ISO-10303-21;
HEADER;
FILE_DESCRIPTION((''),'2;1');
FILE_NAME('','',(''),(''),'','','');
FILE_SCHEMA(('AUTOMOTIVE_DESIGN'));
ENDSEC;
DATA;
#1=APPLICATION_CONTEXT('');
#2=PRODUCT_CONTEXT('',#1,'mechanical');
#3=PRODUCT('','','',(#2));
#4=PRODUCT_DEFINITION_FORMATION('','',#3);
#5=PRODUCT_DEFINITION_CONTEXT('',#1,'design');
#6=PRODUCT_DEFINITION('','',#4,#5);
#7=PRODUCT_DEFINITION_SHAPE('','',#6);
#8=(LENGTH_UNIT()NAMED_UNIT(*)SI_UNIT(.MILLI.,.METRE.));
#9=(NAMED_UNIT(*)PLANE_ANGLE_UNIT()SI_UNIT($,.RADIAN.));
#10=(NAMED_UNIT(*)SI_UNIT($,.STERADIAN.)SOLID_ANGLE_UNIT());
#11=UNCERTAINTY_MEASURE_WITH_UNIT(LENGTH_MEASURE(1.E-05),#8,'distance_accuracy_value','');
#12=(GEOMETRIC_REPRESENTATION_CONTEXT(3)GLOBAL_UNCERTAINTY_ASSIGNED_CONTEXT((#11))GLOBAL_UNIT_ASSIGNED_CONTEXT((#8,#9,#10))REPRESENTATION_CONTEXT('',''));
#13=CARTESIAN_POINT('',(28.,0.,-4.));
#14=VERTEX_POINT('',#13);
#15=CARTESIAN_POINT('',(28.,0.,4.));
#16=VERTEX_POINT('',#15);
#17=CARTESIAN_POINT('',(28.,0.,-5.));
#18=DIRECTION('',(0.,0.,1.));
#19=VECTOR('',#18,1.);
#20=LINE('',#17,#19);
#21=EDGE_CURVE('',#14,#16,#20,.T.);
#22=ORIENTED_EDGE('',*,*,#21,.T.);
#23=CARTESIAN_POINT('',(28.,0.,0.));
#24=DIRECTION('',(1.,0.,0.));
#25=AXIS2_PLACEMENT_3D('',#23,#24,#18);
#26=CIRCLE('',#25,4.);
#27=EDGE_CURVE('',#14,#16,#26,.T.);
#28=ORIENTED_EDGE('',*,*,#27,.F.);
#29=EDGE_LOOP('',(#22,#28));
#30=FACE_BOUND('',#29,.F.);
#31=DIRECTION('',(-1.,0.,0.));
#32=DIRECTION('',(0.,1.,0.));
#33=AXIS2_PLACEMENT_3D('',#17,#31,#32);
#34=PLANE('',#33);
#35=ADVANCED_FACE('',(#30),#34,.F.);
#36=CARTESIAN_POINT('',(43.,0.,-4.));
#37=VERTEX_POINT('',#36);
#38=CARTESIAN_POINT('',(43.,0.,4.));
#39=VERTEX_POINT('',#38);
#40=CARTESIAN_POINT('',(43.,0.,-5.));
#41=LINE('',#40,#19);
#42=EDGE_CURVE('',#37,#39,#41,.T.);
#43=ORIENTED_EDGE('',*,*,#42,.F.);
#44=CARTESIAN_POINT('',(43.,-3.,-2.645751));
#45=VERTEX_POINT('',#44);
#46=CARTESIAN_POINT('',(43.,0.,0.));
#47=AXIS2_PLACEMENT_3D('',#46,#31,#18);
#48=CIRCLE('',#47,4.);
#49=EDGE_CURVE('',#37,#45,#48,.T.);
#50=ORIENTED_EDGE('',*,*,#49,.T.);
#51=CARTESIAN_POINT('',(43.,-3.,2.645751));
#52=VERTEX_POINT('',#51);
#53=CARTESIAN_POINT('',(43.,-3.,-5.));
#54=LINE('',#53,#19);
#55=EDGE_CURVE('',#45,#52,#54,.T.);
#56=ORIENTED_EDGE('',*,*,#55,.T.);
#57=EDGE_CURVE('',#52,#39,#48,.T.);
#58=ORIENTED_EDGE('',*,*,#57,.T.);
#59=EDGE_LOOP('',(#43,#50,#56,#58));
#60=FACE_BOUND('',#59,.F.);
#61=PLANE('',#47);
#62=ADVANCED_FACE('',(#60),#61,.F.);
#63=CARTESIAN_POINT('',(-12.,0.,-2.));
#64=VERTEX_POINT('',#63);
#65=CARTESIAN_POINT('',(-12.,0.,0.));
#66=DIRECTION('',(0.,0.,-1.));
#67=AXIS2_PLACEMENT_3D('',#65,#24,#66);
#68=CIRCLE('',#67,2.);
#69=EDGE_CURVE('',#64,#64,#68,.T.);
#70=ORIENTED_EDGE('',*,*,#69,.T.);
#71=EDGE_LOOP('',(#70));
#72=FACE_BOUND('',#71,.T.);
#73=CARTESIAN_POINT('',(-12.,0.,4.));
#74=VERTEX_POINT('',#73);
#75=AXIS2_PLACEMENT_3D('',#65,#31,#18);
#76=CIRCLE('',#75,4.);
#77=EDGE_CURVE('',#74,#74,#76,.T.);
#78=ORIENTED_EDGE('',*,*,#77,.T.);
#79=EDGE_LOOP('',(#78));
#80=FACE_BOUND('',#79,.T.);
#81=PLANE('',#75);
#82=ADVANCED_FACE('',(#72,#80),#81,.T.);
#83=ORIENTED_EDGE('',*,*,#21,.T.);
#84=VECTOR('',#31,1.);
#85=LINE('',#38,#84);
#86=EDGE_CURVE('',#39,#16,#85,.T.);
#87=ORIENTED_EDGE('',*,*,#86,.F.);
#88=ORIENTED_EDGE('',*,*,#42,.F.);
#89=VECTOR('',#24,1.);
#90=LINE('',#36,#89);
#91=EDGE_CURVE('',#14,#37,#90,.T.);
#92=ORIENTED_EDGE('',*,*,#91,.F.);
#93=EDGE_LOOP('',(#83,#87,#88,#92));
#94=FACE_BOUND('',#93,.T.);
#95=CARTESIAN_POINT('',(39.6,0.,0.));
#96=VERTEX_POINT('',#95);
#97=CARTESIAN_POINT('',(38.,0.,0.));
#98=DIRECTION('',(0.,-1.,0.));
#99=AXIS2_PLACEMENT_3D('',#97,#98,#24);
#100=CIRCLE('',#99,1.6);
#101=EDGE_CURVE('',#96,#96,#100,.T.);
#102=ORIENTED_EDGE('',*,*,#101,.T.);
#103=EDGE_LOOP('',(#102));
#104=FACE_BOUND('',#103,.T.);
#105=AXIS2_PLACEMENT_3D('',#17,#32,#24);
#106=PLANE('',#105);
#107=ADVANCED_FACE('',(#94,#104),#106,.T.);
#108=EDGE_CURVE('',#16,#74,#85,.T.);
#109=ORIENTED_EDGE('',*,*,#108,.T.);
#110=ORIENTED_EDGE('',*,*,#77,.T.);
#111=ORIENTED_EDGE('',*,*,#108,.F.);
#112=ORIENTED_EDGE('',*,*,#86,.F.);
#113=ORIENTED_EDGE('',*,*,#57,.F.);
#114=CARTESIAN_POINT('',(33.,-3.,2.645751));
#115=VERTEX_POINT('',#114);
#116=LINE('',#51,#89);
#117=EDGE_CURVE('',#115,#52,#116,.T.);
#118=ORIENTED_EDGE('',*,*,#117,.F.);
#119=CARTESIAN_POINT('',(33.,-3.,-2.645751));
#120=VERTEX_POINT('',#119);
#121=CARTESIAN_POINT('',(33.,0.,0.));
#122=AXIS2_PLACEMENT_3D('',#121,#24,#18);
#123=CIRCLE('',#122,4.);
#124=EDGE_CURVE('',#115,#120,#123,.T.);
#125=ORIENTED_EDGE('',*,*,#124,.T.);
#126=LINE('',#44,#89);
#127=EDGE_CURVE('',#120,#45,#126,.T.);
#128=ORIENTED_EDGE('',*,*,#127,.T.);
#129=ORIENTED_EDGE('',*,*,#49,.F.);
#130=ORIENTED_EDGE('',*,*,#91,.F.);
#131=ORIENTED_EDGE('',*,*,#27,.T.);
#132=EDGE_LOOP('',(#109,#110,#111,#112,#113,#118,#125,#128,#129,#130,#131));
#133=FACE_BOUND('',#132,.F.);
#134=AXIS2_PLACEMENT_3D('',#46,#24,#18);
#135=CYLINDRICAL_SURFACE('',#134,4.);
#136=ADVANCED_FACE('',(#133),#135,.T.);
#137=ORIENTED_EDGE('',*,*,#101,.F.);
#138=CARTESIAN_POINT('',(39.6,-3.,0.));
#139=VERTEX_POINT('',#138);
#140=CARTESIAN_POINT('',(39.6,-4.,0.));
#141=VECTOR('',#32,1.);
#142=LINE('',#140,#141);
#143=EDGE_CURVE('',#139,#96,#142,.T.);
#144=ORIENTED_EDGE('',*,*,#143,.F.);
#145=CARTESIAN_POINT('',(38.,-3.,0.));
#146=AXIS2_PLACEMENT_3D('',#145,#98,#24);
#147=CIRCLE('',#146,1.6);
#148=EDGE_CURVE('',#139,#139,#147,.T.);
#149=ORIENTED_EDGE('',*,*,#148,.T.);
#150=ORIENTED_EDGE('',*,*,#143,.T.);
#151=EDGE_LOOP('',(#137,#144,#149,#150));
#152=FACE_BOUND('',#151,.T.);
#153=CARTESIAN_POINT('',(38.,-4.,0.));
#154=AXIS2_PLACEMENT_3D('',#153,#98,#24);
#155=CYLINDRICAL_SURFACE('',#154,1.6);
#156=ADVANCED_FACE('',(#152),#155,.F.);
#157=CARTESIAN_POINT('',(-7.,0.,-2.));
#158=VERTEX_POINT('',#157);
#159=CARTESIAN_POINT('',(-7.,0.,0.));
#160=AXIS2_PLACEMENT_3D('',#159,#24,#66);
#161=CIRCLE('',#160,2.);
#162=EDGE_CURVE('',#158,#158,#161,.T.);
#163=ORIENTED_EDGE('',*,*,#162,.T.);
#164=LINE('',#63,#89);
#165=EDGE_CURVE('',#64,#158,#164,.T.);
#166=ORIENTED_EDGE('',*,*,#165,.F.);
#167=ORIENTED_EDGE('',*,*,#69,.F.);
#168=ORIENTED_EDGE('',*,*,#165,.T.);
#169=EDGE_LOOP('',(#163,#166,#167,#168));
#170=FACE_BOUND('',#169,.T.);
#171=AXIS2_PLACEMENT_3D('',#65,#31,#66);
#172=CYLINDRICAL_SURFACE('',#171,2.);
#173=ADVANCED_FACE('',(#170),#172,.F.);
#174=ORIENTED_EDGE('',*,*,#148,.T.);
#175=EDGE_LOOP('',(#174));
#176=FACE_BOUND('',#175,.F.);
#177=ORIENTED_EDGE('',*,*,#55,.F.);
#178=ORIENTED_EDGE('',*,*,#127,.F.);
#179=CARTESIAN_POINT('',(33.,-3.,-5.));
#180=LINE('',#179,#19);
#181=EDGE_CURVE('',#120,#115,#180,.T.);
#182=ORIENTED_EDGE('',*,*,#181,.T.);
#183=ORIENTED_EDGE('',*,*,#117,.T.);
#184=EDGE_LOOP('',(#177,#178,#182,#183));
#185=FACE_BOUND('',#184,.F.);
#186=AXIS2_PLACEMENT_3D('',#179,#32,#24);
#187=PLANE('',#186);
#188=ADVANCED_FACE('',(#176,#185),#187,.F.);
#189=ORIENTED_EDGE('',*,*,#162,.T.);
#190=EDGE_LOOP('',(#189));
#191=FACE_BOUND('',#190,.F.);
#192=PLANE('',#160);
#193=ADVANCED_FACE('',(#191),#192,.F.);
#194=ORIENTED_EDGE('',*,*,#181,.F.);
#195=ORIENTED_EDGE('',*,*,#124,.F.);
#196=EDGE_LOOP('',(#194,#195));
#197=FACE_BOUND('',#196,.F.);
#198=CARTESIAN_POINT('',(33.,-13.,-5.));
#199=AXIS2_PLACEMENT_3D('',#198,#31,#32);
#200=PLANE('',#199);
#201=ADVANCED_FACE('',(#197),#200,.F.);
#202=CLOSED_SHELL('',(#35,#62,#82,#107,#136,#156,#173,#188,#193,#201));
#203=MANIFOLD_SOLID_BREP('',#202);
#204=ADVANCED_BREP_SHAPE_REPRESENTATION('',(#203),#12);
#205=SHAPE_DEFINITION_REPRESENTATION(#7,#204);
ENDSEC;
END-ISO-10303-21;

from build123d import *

# Parameters (mm, degrees)
CYLINDER026_R      = 2
CYLINDER026_DEPTH  = 5
CYLINDER035_R      = 1.6
CYLINDER035_DEPTH  = 5
BOX015001017_W     = 10
BOX015001017_H     = 10
BOX015001017_DEPTH = 10
BOX015001016_W     = 15
BOX015001016_H     = 10
BOX015001016_DEPTH = 10
CYLINDER025_R      = 4
CYLINDER025_DEPTH  = 55


with BuildPart() as cylinder036:
    # Cylinder026 → Cylinder026 (new body)
    with BuildSketch(Plane(origin=(-12, 0, 0), x_dir=(0, 0, -1), z_dir=(1, 0, 0))):
        Circle(CYLINDER026_R)
    extrude(amount=CYLINDER026_DEPTH)


with BuildPart() as cylinder035:
    # Cylinder035 → Cylinder035 (new body)
    with BuildSketch(Plane(origin=(38, -4, 0), x_dir=(1, 0, 0), z_dir=(0, 1, 0))):
        Circle(CYLINDER035_R)
    extrude(amount=CYLINDER035_DEPTH)


with BuildPart() as cube020:
    # Box015001017 → Box015001017 (new body)
    with BuildSketch(Plane(origin=(33, -13, -5), x_dir=(1, 0, 0), z_dir=(0, 0, 1))):
        with Locations((5, 5)):
            Rectangle(BOX015001017_W, BOX015001017_H)
    extrude(amount=BOX015001017_DEPTH)


with BuildPart() as cube019:
    # Box015001016 → Box015001016 (new body)
    with BuildSketch(Plane(origin=(28, 0, -5), x_dir=(1, 0, 0), z_dir=(0, 0, 1))):
        with Locations((7.5, 5)):
            Rectangle(BOX015001016_W, BOX015001016_H)
    extrude(amount=BOX015001016_DEPTH)


with BuildPart() as piston:
    # Cylinder025 → Cylinder025 (new body)
    with BuildSketch(Plane.ZY.offset(-43)):
        Circle(CYLINDER025_R)
    extrude(amount=CYLINDER025_DEPTH)

    # Cut004030: cut Cube019
    add(cube019.part, mode=Mode.SUBTRACT)

    # Cut001: cut Cube020
    add(cube020.part, mode=Mode.SUBTRACT)

    # Cut004028: cut Cylinder035
    add(cylinder035.part, mode=Mode.SUBTRACT)

    # Cut003: cut Cylinder036
    add(cylinder036.part, mode=Mode.SUBTRACT)


solid = piston.part
